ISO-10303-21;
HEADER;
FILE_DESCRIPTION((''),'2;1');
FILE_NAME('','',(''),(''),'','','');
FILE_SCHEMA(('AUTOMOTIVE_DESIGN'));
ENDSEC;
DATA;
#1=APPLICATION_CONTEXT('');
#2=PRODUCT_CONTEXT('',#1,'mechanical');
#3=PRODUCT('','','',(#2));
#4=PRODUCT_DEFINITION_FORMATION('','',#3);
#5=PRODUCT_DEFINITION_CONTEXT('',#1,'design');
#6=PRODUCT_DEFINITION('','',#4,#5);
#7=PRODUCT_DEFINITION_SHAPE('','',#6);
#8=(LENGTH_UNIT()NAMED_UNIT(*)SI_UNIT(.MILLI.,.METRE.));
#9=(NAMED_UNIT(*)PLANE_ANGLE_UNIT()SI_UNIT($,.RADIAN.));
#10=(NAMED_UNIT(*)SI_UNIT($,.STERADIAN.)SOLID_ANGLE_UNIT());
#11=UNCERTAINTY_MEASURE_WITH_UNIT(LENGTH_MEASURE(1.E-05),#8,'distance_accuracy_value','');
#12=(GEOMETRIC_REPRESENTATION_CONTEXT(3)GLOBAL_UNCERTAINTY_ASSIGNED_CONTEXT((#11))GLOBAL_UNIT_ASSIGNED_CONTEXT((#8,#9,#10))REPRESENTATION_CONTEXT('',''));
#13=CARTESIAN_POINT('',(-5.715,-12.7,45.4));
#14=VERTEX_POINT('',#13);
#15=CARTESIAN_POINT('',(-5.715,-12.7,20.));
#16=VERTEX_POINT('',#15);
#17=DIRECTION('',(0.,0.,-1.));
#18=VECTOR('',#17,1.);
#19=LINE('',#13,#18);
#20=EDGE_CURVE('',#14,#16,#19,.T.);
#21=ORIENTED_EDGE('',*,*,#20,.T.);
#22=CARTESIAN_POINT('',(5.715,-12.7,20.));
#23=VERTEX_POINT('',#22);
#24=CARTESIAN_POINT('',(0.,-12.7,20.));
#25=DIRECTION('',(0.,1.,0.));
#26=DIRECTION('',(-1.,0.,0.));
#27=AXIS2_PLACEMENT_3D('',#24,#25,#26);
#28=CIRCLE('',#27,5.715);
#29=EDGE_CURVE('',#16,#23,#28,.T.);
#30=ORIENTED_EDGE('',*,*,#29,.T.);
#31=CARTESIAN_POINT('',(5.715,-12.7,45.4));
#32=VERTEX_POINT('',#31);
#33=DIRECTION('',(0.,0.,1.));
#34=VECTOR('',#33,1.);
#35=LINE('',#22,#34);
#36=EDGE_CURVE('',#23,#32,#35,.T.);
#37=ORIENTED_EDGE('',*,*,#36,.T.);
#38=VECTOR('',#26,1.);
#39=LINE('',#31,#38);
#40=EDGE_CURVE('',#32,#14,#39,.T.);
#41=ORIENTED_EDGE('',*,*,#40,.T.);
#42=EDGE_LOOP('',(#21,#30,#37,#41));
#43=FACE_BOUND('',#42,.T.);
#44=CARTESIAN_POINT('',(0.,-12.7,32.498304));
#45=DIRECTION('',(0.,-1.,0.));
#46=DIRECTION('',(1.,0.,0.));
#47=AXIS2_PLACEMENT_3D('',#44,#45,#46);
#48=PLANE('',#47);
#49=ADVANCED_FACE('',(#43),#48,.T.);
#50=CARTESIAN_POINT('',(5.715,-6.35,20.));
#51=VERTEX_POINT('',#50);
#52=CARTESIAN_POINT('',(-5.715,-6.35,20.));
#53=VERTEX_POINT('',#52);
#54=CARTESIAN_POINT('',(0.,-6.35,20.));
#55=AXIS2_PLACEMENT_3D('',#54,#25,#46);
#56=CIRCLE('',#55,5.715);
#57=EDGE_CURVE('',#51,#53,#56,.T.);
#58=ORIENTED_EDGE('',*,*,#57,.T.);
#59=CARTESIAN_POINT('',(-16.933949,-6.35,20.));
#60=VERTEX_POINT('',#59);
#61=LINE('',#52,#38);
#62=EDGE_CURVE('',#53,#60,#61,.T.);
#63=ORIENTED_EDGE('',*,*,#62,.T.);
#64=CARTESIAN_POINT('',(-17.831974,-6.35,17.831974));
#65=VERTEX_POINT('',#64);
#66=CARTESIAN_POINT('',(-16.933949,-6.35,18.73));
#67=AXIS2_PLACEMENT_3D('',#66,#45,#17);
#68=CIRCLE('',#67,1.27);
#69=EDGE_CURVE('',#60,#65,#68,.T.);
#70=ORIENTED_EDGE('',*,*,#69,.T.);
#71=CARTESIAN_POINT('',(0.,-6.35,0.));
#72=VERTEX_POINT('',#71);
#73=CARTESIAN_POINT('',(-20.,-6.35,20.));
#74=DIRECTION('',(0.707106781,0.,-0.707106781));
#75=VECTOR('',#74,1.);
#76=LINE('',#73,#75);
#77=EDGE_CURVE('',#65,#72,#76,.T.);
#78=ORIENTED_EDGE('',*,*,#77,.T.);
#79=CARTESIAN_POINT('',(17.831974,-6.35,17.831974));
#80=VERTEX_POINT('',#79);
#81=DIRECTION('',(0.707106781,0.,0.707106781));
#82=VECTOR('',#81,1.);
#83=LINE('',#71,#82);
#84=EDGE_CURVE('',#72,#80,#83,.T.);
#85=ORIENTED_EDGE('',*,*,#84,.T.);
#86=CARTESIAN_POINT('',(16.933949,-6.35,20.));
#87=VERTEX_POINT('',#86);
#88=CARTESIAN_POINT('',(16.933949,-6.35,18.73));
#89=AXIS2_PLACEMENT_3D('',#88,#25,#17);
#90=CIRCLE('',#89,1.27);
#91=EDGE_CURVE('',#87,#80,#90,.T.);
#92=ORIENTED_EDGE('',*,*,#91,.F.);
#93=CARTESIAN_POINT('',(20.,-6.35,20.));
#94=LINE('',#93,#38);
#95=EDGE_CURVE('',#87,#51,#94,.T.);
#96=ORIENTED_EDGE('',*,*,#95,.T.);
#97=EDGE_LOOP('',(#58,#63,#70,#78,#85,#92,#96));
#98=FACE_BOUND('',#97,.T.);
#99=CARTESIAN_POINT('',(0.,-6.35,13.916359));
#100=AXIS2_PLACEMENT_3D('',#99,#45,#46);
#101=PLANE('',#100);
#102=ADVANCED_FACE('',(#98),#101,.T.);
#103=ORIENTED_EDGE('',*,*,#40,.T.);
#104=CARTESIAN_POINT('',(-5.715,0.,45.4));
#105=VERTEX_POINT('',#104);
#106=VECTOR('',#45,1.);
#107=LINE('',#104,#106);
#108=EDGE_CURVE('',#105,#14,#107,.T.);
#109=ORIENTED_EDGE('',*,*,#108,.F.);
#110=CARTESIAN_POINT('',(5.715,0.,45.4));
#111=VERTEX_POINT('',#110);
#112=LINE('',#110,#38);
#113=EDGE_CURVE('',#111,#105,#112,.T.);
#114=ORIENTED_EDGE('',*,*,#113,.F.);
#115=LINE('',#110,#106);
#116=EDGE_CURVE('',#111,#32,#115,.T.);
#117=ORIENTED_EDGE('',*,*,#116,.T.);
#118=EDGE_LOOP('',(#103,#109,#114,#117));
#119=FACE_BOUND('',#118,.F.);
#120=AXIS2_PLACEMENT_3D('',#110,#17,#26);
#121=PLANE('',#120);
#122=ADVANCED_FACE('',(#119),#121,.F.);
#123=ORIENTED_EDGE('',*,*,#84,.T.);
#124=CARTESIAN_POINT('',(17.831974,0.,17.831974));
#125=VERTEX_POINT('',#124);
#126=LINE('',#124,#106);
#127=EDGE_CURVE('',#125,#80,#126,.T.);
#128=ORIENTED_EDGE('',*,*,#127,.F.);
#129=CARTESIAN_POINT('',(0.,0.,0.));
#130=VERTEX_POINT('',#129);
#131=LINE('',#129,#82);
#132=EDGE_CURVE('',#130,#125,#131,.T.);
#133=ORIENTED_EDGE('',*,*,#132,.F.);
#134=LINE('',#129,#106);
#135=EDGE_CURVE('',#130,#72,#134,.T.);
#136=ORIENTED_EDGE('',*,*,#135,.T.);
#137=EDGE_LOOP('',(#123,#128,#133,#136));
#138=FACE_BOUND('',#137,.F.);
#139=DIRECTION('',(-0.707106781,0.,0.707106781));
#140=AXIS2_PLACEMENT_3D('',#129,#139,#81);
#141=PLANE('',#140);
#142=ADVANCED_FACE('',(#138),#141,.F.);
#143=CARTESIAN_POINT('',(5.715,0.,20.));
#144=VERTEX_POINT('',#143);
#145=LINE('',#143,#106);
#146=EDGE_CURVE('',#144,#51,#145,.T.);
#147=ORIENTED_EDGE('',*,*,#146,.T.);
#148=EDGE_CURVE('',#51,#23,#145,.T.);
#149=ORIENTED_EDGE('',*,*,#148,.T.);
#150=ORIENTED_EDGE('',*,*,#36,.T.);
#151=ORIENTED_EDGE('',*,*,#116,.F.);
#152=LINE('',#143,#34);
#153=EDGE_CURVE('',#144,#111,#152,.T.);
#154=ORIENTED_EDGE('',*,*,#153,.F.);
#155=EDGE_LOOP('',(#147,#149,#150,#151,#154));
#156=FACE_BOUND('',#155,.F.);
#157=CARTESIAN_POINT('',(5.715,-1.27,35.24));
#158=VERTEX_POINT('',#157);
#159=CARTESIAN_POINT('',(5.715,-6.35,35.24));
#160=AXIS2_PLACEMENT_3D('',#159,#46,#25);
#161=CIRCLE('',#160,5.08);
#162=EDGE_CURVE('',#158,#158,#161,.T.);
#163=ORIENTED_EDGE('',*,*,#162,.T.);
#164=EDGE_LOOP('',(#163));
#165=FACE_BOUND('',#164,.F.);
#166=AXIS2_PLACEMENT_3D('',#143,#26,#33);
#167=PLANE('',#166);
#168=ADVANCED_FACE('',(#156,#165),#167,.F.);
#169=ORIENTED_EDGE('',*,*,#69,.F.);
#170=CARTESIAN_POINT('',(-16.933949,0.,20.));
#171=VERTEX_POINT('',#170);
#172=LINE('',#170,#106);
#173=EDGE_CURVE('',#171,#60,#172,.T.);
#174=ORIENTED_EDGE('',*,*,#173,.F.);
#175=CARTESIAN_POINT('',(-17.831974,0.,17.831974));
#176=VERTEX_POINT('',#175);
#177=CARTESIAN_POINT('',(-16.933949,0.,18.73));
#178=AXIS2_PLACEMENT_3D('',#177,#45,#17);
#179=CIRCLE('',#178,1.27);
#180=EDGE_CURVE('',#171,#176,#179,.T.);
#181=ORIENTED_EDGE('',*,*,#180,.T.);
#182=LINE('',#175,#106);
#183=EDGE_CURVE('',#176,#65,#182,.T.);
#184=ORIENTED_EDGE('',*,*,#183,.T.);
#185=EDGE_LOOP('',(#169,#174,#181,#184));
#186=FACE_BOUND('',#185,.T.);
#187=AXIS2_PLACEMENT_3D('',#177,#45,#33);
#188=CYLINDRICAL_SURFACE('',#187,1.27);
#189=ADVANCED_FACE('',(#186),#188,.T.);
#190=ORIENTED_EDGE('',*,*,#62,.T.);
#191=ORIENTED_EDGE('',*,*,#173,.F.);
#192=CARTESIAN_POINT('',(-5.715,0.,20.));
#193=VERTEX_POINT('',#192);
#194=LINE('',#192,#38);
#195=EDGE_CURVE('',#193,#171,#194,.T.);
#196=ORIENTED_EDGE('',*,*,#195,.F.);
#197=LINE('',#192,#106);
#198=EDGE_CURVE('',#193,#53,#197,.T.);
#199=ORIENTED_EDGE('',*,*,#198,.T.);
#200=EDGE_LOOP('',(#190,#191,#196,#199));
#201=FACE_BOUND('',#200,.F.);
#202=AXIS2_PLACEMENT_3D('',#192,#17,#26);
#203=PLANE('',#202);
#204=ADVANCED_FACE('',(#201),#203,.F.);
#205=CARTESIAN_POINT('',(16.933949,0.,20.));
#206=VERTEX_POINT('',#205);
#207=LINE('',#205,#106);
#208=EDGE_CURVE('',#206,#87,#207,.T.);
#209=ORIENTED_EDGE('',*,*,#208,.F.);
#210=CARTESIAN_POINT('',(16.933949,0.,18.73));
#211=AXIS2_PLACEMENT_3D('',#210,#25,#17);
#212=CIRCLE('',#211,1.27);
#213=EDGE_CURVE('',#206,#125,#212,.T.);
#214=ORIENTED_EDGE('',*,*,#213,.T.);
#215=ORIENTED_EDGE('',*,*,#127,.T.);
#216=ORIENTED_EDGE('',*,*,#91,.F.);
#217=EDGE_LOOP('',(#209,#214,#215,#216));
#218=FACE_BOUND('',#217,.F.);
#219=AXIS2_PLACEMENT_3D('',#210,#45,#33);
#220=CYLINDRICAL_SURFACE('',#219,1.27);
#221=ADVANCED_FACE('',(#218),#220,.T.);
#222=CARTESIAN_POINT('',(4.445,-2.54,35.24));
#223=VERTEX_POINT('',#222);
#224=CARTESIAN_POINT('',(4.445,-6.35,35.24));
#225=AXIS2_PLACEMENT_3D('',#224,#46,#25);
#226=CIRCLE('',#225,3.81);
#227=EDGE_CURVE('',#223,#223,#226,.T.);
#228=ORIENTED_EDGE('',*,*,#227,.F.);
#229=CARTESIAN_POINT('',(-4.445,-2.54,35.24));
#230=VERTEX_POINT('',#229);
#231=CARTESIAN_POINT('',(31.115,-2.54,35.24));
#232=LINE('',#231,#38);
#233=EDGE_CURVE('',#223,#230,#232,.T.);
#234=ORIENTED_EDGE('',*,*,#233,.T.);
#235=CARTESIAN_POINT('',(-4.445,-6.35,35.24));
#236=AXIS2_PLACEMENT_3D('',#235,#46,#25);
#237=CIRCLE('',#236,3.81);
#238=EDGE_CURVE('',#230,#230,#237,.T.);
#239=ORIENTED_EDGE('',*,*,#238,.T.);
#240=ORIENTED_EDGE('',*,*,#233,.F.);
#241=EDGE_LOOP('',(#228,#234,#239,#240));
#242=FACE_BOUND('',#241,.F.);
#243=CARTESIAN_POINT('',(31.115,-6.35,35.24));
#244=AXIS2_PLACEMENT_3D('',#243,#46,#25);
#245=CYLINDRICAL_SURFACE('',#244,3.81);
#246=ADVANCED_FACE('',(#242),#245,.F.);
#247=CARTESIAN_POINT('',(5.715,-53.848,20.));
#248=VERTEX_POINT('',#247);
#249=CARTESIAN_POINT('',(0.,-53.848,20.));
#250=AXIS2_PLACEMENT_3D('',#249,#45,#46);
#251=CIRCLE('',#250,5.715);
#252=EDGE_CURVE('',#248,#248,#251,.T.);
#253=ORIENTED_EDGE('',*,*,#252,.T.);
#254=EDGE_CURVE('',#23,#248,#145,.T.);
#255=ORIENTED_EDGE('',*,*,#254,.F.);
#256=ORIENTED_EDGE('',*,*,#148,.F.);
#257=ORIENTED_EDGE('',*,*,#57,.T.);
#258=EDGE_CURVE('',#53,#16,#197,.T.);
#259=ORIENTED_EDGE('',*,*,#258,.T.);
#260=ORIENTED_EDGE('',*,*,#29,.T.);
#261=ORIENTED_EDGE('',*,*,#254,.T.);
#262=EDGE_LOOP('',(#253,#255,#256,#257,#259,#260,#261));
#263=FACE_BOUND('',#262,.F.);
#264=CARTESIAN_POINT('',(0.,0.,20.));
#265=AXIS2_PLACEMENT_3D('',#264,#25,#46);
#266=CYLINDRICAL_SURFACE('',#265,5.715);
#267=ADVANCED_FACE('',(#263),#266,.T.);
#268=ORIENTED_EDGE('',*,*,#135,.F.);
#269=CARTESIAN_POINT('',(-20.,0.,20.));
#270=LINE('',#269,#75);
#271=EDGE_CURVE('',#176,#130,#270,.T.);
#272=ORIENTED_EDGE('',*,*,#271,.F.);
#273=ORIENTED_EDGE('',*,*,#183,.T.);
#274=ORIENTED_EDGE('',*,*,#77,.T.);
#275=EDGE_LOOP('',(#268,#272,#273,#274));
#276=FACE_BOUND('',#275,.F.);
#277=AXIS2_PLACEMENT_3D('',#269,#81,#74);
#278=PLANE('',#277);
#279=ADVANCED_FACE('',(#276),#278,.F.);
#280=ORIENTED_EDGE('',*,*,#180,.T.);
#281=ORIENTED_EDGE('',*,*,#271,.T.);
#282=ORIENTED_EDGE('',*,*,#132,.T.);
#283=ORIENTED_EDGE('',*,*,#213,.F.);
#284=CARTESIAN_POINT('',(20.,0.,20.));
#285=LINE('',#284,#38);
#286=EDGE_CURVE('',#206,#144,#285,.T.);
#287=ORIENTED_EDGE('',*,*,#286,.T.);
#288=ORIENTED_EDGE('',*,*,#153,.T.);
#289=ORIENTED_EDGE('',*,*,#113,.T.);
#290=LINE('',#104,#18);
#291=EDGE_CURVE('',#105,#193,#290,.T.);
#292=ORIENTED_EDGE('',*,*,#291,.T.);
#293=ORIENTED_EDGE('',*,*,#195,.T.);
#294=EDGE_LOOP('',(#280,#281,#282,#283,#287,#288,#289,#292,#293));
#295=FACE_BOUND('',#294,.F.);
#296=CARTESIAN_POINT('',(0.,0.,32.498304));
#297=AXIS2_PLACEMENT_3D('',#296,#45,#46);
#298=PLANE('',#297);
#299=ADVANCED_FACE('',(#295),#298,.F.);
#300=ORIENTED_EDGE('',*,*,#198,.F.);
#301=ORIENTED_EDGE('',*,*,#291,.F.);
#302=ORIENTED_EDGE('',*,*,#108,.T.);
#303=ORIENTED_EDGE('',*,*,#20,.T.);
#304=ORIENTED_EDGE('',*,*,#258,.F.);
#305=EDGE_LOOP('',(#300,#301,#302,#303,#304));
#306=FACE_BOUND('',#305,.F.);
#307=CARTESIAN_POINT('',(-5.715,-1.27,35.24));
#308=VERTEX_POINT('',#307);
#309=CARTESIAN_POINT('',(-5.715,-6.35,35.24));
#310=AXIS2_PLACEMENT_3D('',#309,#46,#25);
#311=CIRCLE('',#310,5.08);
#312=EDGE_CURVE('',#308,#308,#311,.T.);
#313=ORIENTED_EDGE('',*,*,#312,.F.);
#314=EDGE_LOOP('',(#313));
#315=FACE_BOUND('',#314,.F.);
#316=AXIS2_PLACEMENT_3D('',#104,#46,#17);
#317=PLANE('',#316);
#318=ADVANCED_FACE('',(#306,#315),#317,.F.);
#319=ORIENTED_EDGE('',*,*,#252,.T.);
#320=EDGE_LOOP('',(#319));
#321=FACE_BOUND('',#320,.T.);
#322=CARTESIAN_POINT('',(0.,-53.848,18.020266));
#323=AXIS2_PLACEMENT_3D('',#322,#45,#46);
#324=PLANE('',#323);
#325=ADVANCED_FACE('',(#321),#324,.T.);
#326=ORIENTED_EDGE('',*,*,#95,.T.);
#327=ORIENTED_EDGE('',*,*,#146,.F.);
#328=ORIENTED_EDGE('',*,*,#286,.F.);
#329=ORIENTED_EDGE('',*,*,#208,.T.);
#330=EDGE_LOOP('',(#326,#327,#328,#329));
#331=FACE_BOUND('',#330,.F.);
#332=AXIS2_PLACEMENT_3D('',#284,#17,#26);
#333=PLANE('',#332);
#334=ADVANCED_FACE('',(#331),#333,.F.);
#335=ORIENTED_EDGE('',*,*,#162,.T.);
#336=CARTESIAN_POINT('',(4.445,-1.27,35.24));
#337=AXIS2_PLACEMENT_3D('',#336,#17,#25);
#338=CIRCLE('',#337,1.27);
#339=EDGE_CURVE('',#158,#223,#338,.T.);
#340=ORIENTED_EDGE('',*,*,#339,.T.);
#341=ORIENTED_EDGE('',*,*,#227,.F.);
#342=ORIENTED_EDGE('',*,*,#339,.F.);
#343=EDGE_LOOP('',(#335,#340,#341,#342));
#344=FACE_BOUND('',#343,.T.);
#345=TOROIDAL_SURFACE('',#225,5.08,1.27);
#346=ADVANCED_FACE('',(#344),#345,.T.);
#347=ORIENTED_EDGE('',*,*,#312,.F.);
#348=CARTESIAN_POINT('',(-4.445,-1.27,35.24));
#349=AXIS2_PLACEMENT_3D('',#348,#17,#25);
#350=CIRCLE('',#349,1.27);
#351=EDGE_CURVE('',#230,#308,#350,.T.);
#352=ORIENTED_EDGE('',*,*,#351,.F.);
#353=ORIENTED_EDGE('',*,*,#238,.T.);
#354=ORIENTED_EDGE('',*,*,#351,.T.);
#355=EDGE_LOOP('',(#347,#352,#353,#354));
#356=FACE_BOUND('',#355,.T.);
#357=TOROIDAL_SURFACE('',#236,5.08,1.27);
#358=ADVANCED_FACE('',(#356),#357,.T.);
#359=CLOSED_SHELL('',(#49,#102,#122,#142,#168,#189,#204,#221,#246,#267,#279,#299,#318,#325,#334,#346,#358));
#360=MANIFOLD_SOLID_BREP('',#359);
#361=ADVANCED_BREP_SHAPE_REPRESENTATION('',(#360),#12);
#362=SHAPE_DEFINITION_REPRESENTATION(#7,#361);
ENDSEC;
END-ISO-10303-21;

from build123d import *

# Parameters (mm, degrees)
F1_DEPTH = 6.35
F2_DEPTH = 53.848
F3_DEPTH = 12.7
F5_R     = 3.81
F6_DEPTH = 51.116
F7_R     = 1.27
F8_R     = 1.27


with BuildPart() as f1:
    # F0 (on Front) → F1 (new body)
    with BuildSketch(Plane.XZ):
        with BuildLine():
            Line((-20, 20), (0, 0))
            Line((0, 0), (20, 20))
            Line((20, 20), (5.715, 20))
            ThreePointArc((5.715, 20), (0, 14.285), (-5.715, 20))
            Line((-5.715, 20), (-20, 20))
        make_face()
    extrude(amount=F1_DEPTH)

    # F0 (on Front) → F2 (join)
    with BuildSketch(Plane.XZ):
        with BuildLine():
            ThreePointArc((-5.715, 20), (0, 14.285), (5.715, 20))
            Line((5.715, 20), (-5.715, 20))
        make_face()
        with BuildLine():
            Line((-5.715, 20), (5.715, 20))
            ThreePointArc((5.715, 20), (0, 25.715), (-5.715, 20))
        make_face()
    extrude(amount=F2_DEPTH)

    # F0 (on Front) → F3 (join)
    with BuildSketch(Plane.XZ):
        with BuildLine():
            ThreePointArc((-5.715, 20), (0, 25.715), (5.715, 20))
            Line((5.715, 20), (5.715, 45.4))
            Line((5.715, 45.4), (-5.715, 45.4))
            Line((-5.715, 45.4), (-5.715, 20))
        make_face()
    extrude(amount=F3_DEPTH)

    # F5 (on offset) → F6 (cut, through all)
    with BuildSketch(Plane.YZ.offset(31.115)):
        with Locations((-6.35, 35.24)):
            Circle(F5_R)
    extrude(amount=-F6_DEPTH, mode=Mode.SUBTRACT)

    # F7
    f7_edges = [f1.edges().sort_by_distance(p)[0] for p in [
        (5.715, -10.16, 35.24),
        (-5.715, -10.16, 35.24),
    ]]
    fillet(f7_edges, radius=F7_R)

    # F8
    f8_edges = [f1.edges().sort_by_distance(p)[0] for p in [
        (-20, -3.175, 20),
        (20, -3.175, 20),
    ]]
    fillet(f8_edges, radius=F8_R)


solid = f1.part
